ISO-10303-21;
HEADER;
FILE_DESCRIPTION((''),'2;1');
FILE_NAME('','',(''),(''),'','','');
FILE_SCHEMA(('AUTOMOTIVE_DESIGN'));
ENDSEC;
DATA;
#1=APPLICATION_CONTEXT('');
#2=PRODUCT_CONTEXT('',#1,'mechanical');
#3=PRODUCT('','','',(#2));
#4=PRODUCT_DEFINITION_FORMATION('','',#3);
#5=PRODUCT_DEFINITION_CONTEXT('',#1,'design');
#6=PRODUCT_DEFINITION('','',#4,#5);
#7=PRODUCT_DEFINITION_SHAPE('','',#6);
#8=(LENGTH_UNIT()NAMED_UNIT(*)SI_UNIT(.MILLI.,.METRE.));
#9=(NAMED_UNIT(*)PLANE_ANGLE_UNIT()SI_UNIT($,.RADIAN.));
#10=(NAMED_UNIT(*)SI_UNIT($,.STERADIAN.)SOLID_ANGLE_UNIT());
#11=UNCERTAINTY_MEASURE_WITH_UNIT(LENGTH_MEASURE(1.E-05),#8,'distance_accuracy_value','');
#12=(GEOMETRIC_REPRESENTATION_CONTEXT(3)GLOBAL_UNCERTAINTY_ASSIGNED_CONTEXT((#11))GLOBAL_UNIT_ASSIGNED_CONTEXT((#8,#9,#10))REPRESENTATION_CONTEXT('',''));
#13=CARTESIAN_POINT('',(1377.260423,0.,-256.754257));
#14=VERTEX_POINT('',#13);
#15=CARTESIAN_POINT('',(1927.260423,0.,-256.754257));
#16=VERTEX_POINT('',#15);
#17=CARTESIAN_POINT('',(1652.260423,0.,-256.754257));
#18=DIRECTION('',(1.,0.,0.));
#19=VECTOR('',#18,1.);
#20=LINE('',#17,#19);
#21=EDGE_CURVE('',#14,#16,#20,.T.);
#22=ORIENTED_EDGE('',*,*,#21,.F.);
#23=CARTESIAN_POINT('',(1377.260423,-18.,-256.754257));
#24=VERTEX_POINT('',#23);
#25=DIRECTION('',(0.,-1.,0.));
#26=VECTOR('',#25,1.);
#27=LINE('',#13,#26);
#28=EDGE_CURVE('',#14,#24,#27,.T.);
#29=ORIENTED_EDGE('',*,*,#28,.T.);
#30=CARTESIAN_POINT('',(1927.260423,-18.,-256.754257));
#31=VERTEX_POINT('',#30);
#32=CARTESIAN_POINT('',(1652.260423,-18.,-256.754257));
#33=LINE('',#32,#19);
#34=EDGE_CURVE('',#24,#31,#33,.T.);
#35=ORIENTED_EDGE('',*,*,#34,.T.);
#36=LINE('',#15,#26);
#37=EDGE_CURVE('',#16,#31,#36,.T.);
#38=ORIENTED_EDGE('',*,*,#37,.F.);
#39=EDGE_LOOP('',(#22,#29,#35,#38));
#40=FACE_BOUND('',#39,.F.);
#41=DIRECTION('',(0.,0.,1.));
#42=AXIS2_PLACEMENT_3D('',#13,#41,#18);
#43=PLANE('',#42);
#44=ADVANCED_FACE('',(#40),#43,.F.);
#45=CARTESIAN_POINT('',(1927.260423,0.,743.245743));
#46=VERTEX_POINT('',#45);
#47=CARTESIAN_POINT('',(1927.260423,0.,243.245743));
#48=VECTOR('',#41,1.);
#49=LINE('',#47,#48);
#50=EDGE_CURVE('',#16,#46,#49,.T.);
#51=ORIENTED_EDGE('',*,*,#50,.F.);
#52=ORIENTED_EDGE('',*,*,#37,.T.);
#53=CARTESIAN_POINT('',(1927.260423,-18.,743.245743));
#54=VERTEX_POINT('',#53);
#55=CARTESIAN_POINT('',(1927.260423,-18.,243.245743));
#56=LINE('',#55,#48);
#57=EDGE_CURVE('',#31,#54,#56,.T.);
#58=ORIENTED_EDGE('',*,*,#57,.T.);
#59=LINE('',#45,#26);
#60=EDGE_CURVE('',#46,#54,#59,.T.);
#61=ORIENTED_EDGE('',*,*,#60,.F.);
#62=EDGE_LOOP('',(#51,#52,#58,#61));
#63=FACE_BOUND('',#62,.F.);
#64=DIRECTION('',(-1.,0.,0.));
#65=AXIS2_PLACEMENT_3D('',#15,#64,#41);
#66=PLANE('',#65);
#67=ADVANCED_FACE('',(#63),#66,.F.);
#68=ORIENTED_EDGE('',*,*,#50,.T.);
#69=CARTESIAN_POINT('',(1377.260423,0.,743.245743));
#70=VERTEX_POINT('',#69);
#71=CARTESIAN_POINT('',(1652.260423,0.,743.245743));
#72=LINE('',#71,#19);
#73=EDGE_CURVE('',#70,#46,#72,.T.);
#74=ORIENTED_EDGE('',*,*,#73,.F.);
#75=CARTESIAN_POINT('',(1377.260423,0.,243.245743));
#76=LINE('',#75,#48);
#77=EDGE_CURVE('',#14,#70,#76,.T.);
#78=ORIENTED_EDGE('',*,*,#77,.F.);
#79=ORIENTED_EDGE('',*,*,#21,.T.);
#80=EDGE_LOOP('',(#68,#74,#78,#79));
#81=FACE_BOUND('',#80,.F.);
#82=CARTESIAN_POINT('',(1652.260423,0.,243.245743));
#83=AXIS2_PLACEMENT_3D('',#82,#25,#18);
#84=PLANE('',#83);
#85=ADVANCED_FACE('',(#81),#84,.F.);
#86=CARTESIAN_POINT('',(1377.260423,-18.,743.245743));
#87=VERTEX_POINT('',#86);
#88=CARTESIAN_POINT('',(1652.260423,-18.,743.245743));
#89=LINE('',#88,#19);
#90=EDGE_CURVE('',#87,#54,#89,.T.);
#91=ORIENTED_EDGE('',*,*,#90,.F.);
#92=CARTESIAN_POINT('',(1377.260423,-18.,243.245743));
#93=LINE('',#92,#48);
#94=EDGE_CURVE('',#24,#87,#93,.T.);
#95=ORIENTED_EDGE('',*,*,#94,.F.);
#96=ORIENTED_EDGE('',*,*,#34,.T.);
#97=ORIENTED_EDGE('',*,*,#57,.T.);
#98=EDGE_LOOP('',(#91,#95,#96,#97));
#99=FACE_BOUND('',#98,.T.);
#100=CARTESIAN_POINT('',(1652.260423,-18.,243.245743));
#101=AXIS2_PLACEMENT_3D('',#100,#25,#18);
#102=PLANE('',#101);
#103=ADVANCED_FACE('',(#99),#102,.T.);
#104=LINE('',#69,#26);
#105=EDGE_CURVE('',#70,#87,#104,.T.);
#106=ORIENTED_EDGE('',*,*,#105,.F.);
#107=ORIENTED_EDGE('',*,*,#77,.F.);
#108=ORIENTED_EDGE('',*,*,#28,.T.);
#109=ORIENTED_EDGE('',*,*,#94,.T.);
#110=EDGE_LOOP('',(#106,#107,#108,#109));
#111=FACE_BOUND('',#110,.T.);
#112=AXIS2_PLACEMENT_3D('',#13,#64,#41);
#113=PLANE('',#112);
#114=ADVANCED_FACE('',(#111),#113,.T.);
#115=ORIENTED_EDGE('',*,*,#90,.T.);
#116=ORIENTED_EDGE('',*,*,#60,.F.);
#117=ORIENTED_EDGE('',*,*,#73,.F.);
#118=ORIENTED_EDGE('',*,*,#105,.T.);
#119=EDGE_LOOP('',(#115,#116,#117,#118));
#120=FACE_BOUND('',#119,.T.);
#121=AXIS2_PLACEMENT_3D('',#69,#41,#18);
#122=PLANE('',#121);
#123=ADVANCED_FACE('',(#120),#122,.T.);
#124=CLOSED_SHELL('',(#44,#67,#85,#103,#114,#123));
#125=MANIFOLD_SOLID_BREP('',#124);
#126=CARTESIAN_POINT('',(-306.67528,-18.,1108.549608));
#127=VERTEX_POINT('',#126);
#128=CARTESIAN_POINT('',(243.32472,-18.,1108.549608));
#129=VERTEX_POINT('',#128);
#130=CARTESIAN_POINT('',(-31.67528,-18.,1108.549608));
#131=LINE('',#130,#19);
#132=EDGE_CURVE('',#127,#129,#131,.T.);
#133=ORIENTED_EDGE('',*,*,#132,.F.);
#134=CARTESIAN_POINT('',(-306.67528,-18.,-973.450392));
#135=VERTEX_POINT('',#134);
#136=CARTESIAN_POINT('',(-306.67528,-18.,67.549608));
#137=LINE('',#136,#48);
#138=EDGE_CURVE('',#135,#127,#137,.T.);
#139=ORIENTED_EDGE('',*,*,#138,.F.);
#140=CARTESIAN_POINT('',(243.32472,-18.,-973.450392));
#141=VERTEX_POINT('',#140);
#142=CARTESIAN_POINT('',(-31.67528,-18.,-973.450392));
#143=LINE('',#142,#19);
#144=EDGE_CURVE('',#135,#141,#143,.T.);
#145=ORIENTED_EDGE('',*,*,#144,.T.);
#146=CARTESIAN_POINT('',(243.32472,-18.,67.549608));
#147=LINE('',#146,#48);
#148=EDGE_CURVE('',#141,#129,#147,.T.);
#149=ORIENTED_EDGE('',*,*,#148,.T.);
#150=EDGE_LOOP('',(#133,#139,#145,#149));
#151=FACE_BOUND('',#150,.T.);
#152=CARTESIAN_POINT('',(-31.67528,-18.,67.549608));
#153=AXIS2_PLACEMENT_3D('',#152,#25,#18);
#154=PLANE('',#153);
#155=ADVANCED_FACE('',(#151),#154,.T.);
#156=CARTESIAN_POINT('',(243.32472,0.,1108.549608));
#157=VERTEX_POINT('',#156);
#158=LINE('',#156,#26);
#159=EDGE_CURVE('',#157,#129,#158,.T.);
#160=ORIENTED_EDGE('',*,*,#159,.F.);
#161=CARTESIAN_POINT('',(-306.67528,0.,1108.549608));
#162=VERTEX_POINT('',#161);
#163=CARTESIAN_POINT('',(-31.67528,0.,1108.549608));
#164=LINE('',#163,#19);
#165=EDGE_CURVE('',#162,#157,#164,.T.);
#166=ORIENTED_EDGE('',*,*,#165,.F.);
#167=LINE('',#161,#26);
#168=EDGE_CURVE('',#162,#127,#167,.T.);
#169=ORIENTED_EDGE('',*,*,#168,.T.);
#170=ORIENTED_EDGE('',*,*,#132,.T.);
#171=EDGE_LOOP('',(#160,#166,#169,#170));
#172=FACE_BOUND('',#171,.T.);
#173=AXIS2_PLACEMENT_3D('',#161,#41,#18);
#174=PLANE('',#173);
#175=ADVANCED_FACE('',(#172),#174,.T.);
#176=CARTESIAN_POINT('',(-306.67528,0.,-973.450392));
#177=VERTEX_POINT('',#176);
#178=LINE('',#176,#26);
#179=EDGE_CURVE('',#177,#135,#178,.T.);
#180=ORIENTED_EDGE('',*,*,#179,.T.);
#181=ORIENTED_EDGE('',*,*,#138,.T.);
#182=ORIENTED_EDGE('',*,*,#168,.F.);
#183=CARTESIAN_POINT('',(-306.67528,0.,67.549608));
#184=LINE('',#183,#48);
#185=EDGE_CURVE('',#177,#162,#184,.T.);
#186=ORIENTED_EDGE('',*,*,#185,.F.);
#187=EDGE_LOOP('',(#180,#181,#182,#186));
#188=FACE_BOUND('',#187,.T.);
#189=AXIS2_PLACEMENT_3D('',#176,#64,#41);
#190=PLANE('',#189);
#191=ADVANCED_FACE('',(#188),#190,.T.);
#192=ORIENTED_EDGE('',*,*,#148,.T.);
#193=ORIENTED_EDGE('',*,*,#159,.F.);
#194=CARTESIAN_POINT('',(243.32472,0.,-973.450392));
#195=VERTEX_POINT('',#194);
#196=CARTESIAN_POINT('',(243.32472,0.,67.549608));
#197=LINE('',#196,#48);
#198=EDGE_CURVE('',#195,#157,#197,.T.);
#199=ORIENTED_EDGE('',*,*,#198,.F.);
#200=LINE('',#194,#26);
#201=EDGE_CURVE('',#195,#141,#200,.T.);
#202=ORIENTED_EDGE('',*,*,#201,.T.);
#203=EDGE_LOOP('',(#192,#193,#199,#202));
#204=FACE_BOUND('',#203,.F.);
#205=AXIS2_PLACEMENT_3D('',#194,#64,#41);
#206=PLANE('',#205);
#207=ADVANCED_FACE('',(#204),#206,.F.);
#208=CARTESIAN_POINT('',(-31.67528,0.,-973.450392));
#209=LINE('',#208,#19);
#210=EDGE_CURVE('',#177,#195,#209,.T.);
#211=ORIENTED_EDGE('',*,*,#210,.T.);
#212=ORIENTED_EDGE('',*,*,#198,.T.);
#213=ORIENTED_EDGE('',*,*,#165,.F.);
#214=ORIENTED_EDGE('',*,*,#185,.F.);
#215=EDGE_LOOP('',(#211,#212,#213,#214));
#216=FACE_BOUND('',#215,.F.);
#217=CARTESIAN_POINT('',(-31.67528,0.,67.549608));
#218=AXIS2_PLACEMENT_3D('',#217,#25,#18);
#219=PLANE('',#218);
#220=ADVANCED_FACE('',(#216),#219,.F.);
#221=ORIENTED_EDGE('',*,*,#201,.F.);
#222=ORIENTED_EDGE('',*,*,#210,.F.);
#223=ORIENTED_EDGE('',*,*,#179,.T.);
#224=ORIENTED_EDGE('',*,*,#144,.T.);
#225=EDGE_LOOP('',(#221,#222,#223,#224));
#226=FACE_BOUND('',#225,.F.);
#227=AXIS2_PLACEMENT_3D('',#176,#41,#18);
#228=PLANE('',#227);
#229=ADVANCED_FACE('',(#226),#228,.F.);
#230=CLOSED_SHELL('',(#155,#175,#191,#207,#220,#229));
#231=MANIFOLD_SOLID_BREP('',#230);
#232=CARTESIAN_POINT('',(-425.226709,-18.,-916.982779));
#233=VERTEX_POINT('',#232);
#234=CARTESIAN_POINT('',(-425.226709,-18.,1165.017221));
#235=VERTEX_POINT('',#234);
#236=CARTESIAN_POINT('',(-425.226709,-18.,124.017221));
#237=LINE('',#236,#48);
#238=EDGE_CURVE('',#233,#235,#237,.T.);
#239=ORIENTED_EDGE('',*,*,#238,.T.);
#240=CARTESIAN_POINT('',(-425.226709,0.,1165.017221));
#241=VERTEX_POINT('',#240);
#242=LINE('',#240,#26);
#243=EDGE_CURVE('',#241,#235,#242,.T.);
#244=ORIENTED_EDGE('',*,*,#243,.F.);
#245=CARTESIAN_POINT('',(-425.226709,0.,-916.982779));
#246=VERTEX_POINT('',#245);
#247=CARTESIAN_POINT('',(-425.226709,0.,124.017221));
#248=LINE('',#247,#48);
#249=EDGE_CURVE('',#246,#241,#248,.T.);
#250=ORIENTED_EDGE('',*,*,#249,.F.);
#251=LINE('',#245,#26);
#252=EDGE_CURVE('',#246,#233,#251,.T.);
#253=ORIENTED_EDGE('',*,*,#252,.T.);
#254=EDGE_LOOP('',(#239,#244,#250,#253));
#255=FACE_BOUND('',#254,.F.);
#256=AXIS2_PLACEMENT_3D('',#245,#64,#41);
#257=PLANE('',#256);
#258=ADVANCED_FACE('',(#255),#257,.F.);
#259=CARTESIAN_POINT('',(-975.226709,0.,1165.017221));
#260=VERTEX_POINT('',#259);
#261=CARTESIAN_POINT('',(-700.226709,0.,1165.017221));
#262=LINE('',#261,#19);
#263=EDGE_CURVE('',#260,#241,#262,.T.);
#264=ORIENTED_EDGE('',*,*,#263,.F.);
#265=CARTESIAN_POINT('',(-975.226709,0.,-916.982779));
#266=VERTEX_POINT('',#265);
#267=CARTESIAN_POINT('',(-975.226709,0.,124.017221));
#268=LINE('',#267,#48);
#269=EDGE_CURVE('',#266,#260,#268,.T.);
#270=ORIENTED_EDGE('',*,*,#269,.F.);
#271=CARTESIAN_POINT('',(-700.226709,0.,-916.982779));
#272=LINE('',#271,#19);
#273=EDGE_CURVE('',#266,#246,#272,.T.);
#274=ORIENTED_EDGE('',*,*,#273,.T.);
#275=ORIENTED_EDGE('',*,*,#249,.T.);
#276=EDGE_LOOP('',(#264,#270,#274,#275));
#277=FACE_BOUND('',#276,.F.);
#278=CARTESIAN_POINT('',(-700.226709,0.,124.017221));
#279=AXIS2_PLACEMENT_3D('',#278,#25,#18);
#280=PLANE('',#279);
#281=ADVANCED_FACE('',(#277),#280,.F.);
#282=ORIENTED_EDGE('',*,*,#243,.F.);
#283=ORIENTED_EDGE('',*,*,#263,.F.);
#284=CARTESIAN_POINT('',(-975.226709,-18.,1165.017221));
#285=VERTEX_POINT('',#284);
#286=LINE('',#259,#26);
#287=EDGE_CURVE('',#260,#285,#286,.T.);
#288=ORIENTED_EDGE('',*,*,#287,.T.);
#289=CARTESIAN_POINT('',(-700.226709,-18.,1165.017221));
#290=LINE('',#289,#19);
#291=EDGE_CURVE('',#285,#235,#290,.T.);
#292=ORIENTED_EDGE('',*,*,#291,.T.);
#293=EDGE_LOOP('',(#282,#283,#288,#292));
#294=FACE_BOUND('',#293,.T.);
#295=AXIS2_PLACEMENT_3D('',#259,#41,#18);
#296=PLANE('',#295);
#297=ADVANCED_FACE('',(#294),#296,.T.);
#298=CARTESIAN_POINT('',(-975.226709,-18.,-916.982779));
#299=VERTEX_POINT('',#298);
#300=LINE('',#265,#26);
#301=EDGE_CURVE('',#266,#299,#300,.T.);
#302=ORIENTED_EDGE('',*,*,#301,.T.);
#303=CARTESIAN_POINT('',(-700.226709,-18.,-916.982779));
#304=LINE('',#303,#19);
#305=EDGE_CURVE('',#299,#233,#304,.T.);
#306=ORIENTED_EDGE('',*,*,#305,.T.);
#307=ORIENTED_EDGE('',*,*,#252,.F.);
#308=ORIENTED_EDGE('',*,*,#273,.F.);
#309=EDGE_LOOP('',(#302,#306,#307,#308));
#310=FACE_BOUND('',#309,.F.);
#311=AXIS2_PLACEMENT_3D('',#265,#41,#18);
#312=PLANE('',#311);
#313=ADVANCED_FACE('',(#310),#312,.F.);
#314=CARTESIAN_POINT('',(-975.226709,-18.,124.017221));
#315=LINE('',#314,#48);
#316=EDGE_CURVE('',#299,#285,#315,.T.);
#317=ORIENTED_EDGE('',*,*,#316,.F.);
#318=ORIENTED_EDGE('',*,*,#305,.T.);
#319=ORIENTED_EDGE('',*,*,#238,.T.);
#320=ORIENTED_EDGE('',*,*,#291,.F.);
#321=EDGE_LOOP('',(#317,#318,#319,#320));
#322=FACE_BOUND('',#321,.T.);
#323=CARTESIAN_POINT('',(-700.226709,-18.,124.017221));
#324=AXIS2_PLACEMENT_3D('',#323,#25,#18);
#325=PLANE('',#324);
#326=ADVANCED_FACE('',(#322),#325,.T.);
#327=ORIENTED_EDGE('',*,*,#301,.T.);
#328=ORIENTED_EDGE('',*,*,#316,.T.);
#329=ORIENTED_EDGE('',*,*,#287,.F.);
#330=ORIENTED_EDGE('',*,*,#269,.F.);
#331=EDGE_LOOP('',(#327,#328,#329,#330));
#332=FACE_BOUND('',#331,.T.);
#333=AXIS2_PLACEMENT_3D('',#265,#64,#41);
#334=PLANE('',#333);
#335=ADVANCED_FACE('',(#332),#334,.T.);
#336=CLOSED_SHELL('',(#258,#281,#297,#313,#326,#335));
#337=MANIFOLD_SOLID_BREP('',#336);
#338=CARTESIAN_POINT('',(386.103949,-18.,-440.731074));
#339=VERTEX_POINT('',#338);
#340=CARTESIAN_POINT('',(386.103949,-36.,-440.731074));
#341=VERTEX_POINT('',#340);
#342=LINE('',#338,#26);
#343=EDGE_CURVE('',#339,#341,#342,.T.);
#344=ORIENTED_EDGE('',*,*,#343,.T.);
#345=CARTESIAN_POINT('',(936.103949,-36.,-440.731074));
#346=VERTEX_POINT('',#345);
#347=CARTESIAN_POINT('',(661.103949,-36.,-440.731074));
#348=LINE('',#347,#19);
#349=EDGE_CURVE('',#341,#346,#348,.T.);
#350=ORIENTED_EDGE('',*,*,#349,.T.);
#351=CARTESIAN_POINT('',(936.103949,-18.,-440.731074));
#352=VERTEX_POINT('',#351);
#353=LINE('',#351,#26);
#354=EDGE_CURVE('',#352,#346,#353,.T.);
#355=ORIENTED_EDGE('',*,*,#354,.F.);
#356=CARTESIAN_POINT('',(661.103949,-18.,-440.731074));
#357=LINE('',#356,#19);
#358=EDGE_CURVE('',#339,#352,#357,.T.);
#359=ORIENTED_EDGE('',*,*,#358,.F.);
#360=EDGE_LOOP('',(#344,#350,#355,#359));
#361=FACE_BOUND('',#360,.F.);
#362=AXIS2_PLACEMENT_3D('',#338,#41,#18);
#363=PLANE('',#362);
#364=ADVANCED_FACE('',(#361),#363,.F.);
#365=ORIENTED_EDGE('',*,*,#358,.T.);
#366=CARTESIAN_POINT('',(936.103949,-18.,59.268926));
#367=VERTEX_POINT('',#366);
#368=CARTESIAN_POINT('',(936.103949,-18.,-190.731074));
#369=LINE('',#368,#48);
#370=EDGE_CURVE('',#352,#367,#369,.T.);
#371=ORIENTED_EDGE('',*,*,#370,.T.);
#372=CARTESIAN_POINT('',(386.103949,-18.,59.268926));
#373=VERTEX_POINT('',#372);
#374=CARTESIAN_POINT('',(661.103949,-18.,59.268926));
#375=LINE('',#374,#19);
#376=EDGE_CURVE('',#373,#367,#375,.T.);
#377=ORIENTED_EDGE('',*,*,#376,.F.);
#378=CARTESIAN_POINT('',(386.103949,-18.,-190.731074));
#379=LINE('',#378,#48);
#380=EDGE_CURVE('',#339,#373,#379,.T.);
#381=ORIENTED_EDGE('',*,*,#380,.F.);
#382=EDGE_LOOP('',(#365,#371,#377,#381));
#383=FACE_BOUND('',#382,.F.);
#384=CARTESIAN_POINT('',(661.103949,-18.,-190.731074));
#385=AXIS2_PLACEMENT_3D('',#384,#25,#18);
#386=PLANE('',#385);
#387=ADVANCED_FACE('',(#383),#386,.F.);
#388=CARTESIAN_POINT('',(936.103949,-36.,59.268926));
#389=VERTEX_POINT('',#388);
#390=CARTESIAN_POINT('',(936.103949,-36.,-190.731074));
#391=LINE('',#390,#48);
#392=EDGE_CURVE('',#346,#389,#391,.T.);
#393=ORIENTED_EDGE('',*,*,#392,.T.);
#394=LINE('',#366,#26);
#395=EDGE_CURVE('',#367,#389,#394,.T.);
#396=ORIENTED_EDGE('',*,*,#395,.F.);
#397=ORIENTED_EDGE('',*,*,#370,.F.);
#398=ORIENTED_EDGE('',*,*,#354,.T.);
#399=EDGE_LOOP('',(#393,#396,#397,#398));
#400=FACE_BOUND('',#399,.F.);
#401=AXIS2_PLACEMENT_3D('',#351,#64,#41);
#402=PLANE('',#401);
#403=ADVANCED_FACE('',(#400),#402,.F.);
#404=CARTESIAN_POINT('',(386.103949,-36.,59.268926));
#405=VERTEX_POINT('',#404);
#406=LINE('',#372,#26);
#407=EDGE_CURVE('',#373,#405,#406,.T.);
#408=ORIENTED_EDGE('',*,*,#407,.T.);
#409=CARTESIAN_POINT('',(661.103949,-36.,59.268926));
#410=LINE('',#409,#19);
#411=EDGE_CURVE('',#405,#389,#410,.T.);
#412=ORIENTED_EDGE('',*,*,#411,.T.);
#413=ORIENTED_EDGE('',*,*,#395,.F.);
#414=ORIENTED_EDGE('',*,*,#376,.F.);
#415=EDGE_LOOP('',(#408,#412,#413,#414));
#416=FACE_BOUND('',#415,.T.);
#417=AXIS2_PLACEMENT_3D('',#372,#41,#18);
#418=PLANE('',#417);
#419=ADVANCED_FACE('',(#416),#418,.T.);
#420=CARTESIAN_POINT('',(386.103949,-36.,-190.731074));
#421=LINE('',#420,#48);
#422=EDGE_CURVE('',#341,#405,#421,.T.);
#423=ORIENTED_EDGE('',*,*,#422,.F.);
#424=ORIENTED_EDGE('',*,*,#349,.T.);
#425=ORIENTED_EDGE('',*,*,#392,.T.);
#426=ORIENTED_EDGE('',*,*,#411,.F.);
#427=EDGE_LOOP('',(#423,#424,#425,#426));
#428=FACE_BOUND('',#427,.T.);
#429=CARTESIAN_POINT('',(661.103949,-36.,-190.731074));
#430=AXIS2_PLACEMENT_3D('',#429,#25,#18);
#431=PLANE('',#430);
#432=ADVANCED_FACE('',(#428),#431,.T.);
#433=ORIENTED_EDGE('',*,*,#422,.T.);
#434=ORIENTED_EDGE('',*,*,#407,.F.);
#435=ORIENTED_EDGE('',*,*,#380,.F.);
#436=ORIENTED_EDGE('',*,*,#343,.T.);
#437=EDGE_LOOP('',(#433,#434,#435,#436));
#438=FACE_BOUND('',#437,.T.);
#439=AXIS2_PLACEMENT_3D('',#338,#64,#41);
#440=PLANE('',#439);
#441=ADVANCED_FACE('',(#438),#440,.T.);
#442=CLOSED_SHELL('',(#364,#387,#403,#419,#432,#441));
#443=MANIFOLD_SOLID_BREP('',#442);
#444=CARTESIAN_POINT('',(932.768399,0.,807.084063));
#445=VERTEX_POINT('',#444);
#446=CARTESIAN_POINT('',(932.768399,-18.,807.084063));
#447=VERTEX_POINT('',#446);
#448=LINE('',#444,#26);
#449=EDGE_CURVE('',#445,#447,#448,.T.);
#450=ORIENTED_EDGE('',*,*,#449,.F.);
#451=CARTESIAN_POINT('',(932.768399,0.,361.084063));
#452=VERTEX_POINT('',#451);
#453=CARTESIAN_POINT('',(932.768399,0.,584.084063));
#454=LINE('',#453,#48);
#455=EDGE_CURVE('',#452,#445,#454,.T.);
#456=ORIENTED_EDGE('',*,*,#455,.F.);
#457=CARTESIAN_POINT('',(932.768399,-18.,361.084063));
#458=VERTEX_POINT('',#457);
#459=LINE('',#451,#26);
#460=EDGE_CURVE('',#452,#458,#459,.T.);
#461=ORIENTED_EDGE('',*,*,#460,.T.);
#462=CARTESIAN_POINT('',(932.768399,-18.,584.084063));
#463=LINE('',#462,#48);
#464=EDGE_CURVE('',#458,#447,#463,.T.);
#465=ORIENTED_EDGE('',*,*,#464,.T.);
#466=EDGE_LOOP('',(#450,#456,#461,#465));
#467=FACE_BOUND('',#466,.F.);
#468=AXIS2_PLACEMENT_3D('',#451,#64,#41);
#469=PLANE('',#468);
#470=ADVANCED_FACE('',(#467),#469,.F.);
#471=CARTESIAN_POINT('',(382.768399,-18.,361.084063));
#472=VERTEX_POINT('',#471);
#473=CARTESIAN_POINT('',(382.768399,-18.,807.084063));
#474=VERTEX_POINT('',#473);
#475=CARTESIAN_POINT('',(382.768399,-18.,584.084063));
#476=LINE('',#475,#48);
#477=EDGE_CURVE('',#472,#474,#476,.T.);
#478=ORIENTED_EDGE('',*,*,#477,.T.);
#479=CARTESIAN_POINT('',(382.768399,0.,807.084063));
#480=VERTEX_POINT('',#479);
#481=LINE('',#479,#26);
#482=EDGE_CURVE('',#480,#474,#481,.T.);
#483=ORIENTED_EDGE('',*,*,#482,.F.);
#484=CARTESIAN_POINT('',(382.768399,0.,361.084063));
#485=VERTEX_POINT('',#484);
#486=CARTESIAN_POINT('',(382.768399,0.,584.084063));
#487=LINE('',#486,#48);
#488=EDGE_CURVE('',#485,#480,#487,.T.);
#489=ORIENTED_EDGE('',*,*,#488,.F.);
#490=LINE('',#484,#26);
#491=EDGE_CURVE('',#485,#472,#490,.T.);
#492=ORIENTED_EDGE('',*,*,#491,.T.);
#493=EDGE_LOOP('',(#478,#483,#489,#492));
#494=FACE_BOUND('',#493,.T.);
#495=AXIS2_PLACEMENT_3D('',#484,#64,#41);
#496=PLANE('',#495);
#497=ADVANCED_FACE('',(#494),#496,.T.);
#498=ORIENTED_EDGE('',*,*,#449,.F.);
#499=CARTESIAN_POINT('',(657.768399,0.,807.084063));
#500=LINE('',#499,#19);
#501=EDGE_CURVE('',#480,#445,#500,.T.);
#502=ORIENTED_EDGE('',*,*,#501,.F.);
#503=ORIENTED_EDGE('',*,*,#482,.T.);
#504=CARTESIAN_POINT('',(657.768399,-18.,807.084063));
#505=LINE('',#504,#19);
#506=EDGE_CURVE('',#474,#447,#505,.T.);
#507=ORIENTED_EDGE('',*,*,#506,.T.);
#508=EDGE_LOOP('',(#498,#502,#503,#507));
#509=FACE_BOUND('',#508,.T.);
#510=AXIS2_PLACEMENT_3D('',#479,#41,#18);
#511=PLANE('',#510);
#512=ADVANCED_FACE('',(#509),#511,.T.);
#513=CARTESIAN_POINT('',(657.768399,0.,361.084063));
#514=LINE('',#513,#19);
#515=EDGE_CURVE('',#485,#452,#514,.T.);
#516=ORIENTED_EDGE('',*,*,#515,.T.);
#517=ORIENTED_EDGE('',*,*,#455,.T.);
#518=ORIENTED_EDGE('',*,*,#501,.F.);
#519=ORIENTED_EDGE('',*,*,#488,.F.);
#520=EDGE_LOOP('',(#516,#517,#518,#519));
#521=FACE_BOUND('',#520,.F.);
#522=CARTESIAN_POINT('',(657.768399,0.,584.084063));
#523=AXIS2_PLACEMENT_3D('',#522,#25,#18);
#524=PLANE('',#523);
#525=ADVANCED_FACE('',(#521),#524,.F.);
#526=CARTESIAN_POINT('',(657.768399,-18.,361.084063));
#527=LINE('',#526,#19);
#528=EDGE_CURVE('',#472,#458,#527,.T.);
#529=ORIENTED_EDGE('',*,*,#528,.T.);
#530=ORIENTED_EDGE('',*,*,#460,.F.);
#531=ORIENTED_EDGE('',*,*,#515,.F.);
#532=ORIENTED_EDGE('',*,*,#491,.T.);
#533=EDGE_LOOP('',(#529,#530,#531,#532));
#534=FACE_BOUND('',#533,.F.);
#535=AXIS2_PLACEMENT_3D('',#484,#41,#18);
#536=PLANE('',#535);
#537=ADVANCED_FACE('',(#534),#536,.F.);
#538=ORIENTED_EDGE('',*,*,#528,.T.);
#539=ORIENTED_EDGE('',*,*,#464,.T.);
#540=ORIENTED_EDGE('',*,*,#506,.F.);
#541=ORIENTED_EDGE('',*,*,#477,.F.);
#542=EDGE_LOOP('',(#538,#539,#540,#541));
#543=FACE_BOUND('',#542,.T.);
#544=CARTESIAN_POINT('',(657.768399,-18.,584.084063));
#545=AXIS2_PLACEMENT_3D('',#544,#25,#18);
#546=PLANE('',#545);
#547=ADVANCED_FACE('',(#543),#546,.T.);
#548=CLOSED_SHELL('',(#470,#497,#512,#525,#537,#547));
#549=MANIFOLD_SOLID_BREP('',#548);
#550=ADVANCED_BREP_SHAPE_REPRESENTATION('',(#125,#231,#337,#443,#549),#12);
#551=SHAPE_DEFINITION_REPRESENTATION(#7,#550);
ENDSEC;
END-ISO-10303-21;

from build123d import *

# Parameters (mm, degrees)
F0_W     = 550
F0_H     = 2082
F1_DEPTH = 18
F2_W     = 550
F2_H     = 2082
F3_DEPTH = 18
F4_W     = 550
F4_H     = 446
F5_DEPTH = 18
F6_W     = 550
F6_H     = 500
F7_DEPTH = 18
F8_W     = 550
F8_H     = 1000
F9_DEPTH = 18


with BuildPart() as f1:
    # F0 (on Front) → F1 (new body)
    with BuildSketch(Plane.XZ):
        with Locations((-31.67528, 67.549608)):
            Rectangle(F0_W, F0_H)
    extrude(amount=F1_DEPTH)


with BuildPart() as f3:
    # F2 (on Front) → F3 (new body)
    with BuildSketch(Plane.XZ):
        with Locations((-700.226709, 124.017221)):
            Rectangle(F2_W, F2_H)
    extrude(amount=F3_DEPTH)


with BuildPart() as f5:
    # F4 (on Front) → F5 (new body)
    with BuildSketch(Plane.XZ):
        with Locations((657.768399, 584.084063)):
            Rectangle(F4_W, F4_H)
    extrude(amount=F5_DEPTH)


with BuildPart() as f7:
    # F6 (on face) → F7 (new body)
    with BuildSketch(Plane.XZ.offset(18)):
        with Locations((661.103949, -190.731074)):
            Rectangle(F6_W, F6_H)
    extrude(amount=F7_DEPTH)


with BuildPart() as f9:
    # F8 (on Front) → F9 (new body)
    with BuildSketch(Plane.XZ):
        with Locations((1652.260423, 243.245743)):
            Rectangle(F8_W, F8_H)
    extrude(amount=F9_DEPTH)


solid = Compound([f1.part, f3.part, f5.part, f7.part, f9.part])
